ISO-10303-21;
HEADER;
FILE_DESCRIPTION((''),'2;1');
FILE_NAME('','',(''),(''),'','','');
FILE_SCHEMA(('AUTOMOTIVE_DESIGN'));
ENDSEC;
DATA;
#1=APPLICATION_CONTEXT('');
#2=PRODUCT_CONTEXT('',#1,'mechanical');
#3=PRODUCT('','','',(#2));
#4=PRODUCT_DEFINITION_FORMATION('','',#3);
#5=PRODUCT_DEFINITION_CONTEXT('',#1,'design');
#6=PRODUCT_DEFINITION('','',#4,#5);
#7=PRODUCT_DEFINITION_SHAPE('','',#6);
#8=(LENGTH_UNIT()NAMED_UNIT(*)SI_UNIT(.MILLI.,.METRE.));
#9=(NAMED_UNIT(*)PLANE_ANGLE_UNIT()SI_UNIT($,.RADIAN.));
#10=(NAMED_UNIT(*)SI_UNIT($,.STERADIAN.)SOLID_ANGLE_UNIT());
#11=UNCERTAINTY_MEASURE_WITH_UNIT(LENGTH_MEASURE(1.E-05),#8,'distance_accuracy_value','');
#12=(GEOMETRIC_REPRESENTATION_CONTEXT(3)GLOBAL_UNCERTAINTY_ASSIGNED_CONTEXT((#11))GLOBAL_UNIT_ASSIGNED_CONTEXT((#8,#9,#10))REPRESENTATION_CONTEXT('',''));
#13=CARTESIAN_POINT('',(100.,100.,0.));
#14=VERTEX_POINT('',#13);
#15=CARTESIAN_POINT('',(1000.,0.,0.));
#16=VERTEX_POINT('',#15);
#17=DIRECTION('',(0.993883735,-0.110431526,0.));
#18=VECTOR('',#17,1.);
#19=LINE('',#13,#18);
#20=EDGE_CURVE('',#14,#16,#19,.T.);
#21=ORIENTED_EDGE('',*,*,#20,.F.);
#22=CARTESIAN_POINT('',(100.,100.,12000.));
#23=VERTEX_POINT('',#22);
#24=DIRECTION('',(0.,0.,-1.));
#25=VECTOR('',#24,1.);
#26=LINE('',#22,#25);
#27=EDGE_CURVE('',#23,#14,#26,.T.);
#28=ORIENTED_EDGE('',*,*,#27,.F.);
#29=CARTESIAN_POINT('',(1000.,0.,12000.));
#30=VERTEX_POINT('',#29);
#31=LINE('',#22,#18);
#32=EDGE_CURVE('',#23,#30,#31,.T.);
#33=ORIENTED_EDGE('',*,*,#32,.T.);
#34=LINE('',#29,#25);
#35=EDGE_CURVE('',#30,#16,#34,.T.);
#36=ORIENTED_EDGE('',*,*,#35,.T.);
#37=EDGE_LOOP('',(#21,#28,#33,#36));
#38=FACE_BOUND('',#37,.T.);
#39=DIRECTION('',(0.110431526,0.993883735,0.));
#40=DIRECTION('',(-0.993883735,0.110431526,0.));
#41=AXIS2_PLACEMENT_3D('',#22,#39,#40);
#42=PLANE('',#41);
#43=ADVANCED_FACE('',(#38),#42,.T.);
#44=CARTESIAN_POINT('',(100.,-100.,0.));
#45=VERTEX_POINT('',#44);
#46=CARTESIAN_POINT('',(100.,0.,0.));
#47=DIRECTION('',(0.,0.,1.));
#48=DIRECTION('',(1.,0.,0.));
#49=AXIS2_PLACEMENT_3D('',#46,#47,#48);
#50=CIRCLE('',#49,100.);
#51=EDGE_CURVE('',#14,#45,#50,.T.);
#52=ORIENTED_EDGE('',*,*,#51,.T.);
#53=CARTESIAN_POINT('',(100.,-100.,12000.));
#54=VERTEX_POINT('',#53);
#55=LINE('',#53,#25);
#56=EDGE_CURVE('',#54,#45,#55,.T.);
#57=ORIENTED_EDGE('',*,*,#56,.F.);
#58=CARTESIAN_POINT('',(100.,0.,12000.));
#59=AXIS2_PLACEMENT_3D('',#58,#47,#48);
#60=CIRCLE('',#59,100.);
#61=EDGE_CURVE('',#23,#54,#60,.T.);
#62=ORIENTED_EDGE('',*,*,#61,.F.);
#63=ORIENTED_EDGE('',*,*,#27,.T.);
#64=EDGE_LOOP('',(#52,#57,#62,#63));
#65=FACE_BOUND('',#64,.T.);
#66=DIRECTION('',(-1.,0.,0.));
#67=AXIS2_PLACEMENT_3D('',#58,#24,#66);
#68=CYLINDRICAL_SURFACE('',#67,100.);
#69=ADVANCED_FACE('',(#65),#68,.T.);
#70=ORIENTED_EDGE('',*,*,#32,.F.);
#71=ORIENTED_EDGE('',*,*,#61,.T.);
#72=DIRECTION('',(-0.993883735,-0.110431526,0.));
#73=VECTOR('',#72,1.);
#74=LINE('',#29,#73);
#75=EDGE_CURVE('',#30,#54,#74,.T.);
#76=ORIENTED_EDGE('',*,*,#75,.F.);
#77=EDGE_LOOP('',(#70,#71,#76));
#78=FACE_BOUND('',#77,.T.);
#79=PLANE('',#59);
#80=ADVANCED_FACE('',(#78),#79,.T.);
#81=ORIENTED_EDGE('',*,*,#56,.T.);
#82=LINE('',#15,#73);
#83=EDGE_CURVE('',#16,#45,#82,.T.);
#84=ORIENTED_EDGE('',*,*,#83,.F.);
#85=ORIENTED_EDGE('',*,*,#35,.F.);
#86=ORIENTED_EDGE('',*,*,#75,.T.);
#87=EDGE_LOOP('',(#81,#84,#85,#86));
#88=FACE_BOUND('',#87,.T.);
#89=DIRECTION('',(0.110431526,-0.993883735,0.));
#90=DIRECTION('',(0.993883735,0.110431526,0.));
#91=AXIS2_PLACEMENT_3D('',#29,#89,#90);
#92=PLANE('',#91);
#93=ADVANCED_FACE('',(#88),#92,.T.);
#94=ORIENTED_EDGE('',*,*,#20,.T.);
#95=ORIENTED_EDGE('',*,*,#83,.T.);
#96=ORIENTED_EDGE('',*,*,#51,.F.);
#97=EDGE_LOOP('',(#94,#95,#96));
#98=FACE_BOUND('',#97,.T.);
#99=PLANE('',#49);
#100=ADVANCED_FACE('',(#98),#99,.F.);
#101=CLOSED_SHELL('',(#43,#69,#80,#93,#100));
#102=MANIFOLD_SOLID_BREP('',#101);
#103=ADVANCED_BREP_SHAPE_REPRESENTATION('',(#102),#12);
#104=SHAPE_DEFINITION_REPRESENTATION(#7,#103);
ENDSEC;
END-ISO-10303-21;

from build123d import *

# Parameters (mm, degrees)
BOSS_EXTRUDE1_DEPTH = 12000


with BuildPart() as part:
    # Sketch1 → Boss-Extrude1 (new body)
    with BuildSketch(Plane.XY):
        with BuildLine():
            Line((100, 100), (1000, 0))
            Line((1000, 0), (100, -100))
            ThreePointArc((100, -100), (0, 0), (100, 100))
        make_face()
    extrude(amount=BOSS_EXTRUDE1_DEPTH)


solid = part.part
